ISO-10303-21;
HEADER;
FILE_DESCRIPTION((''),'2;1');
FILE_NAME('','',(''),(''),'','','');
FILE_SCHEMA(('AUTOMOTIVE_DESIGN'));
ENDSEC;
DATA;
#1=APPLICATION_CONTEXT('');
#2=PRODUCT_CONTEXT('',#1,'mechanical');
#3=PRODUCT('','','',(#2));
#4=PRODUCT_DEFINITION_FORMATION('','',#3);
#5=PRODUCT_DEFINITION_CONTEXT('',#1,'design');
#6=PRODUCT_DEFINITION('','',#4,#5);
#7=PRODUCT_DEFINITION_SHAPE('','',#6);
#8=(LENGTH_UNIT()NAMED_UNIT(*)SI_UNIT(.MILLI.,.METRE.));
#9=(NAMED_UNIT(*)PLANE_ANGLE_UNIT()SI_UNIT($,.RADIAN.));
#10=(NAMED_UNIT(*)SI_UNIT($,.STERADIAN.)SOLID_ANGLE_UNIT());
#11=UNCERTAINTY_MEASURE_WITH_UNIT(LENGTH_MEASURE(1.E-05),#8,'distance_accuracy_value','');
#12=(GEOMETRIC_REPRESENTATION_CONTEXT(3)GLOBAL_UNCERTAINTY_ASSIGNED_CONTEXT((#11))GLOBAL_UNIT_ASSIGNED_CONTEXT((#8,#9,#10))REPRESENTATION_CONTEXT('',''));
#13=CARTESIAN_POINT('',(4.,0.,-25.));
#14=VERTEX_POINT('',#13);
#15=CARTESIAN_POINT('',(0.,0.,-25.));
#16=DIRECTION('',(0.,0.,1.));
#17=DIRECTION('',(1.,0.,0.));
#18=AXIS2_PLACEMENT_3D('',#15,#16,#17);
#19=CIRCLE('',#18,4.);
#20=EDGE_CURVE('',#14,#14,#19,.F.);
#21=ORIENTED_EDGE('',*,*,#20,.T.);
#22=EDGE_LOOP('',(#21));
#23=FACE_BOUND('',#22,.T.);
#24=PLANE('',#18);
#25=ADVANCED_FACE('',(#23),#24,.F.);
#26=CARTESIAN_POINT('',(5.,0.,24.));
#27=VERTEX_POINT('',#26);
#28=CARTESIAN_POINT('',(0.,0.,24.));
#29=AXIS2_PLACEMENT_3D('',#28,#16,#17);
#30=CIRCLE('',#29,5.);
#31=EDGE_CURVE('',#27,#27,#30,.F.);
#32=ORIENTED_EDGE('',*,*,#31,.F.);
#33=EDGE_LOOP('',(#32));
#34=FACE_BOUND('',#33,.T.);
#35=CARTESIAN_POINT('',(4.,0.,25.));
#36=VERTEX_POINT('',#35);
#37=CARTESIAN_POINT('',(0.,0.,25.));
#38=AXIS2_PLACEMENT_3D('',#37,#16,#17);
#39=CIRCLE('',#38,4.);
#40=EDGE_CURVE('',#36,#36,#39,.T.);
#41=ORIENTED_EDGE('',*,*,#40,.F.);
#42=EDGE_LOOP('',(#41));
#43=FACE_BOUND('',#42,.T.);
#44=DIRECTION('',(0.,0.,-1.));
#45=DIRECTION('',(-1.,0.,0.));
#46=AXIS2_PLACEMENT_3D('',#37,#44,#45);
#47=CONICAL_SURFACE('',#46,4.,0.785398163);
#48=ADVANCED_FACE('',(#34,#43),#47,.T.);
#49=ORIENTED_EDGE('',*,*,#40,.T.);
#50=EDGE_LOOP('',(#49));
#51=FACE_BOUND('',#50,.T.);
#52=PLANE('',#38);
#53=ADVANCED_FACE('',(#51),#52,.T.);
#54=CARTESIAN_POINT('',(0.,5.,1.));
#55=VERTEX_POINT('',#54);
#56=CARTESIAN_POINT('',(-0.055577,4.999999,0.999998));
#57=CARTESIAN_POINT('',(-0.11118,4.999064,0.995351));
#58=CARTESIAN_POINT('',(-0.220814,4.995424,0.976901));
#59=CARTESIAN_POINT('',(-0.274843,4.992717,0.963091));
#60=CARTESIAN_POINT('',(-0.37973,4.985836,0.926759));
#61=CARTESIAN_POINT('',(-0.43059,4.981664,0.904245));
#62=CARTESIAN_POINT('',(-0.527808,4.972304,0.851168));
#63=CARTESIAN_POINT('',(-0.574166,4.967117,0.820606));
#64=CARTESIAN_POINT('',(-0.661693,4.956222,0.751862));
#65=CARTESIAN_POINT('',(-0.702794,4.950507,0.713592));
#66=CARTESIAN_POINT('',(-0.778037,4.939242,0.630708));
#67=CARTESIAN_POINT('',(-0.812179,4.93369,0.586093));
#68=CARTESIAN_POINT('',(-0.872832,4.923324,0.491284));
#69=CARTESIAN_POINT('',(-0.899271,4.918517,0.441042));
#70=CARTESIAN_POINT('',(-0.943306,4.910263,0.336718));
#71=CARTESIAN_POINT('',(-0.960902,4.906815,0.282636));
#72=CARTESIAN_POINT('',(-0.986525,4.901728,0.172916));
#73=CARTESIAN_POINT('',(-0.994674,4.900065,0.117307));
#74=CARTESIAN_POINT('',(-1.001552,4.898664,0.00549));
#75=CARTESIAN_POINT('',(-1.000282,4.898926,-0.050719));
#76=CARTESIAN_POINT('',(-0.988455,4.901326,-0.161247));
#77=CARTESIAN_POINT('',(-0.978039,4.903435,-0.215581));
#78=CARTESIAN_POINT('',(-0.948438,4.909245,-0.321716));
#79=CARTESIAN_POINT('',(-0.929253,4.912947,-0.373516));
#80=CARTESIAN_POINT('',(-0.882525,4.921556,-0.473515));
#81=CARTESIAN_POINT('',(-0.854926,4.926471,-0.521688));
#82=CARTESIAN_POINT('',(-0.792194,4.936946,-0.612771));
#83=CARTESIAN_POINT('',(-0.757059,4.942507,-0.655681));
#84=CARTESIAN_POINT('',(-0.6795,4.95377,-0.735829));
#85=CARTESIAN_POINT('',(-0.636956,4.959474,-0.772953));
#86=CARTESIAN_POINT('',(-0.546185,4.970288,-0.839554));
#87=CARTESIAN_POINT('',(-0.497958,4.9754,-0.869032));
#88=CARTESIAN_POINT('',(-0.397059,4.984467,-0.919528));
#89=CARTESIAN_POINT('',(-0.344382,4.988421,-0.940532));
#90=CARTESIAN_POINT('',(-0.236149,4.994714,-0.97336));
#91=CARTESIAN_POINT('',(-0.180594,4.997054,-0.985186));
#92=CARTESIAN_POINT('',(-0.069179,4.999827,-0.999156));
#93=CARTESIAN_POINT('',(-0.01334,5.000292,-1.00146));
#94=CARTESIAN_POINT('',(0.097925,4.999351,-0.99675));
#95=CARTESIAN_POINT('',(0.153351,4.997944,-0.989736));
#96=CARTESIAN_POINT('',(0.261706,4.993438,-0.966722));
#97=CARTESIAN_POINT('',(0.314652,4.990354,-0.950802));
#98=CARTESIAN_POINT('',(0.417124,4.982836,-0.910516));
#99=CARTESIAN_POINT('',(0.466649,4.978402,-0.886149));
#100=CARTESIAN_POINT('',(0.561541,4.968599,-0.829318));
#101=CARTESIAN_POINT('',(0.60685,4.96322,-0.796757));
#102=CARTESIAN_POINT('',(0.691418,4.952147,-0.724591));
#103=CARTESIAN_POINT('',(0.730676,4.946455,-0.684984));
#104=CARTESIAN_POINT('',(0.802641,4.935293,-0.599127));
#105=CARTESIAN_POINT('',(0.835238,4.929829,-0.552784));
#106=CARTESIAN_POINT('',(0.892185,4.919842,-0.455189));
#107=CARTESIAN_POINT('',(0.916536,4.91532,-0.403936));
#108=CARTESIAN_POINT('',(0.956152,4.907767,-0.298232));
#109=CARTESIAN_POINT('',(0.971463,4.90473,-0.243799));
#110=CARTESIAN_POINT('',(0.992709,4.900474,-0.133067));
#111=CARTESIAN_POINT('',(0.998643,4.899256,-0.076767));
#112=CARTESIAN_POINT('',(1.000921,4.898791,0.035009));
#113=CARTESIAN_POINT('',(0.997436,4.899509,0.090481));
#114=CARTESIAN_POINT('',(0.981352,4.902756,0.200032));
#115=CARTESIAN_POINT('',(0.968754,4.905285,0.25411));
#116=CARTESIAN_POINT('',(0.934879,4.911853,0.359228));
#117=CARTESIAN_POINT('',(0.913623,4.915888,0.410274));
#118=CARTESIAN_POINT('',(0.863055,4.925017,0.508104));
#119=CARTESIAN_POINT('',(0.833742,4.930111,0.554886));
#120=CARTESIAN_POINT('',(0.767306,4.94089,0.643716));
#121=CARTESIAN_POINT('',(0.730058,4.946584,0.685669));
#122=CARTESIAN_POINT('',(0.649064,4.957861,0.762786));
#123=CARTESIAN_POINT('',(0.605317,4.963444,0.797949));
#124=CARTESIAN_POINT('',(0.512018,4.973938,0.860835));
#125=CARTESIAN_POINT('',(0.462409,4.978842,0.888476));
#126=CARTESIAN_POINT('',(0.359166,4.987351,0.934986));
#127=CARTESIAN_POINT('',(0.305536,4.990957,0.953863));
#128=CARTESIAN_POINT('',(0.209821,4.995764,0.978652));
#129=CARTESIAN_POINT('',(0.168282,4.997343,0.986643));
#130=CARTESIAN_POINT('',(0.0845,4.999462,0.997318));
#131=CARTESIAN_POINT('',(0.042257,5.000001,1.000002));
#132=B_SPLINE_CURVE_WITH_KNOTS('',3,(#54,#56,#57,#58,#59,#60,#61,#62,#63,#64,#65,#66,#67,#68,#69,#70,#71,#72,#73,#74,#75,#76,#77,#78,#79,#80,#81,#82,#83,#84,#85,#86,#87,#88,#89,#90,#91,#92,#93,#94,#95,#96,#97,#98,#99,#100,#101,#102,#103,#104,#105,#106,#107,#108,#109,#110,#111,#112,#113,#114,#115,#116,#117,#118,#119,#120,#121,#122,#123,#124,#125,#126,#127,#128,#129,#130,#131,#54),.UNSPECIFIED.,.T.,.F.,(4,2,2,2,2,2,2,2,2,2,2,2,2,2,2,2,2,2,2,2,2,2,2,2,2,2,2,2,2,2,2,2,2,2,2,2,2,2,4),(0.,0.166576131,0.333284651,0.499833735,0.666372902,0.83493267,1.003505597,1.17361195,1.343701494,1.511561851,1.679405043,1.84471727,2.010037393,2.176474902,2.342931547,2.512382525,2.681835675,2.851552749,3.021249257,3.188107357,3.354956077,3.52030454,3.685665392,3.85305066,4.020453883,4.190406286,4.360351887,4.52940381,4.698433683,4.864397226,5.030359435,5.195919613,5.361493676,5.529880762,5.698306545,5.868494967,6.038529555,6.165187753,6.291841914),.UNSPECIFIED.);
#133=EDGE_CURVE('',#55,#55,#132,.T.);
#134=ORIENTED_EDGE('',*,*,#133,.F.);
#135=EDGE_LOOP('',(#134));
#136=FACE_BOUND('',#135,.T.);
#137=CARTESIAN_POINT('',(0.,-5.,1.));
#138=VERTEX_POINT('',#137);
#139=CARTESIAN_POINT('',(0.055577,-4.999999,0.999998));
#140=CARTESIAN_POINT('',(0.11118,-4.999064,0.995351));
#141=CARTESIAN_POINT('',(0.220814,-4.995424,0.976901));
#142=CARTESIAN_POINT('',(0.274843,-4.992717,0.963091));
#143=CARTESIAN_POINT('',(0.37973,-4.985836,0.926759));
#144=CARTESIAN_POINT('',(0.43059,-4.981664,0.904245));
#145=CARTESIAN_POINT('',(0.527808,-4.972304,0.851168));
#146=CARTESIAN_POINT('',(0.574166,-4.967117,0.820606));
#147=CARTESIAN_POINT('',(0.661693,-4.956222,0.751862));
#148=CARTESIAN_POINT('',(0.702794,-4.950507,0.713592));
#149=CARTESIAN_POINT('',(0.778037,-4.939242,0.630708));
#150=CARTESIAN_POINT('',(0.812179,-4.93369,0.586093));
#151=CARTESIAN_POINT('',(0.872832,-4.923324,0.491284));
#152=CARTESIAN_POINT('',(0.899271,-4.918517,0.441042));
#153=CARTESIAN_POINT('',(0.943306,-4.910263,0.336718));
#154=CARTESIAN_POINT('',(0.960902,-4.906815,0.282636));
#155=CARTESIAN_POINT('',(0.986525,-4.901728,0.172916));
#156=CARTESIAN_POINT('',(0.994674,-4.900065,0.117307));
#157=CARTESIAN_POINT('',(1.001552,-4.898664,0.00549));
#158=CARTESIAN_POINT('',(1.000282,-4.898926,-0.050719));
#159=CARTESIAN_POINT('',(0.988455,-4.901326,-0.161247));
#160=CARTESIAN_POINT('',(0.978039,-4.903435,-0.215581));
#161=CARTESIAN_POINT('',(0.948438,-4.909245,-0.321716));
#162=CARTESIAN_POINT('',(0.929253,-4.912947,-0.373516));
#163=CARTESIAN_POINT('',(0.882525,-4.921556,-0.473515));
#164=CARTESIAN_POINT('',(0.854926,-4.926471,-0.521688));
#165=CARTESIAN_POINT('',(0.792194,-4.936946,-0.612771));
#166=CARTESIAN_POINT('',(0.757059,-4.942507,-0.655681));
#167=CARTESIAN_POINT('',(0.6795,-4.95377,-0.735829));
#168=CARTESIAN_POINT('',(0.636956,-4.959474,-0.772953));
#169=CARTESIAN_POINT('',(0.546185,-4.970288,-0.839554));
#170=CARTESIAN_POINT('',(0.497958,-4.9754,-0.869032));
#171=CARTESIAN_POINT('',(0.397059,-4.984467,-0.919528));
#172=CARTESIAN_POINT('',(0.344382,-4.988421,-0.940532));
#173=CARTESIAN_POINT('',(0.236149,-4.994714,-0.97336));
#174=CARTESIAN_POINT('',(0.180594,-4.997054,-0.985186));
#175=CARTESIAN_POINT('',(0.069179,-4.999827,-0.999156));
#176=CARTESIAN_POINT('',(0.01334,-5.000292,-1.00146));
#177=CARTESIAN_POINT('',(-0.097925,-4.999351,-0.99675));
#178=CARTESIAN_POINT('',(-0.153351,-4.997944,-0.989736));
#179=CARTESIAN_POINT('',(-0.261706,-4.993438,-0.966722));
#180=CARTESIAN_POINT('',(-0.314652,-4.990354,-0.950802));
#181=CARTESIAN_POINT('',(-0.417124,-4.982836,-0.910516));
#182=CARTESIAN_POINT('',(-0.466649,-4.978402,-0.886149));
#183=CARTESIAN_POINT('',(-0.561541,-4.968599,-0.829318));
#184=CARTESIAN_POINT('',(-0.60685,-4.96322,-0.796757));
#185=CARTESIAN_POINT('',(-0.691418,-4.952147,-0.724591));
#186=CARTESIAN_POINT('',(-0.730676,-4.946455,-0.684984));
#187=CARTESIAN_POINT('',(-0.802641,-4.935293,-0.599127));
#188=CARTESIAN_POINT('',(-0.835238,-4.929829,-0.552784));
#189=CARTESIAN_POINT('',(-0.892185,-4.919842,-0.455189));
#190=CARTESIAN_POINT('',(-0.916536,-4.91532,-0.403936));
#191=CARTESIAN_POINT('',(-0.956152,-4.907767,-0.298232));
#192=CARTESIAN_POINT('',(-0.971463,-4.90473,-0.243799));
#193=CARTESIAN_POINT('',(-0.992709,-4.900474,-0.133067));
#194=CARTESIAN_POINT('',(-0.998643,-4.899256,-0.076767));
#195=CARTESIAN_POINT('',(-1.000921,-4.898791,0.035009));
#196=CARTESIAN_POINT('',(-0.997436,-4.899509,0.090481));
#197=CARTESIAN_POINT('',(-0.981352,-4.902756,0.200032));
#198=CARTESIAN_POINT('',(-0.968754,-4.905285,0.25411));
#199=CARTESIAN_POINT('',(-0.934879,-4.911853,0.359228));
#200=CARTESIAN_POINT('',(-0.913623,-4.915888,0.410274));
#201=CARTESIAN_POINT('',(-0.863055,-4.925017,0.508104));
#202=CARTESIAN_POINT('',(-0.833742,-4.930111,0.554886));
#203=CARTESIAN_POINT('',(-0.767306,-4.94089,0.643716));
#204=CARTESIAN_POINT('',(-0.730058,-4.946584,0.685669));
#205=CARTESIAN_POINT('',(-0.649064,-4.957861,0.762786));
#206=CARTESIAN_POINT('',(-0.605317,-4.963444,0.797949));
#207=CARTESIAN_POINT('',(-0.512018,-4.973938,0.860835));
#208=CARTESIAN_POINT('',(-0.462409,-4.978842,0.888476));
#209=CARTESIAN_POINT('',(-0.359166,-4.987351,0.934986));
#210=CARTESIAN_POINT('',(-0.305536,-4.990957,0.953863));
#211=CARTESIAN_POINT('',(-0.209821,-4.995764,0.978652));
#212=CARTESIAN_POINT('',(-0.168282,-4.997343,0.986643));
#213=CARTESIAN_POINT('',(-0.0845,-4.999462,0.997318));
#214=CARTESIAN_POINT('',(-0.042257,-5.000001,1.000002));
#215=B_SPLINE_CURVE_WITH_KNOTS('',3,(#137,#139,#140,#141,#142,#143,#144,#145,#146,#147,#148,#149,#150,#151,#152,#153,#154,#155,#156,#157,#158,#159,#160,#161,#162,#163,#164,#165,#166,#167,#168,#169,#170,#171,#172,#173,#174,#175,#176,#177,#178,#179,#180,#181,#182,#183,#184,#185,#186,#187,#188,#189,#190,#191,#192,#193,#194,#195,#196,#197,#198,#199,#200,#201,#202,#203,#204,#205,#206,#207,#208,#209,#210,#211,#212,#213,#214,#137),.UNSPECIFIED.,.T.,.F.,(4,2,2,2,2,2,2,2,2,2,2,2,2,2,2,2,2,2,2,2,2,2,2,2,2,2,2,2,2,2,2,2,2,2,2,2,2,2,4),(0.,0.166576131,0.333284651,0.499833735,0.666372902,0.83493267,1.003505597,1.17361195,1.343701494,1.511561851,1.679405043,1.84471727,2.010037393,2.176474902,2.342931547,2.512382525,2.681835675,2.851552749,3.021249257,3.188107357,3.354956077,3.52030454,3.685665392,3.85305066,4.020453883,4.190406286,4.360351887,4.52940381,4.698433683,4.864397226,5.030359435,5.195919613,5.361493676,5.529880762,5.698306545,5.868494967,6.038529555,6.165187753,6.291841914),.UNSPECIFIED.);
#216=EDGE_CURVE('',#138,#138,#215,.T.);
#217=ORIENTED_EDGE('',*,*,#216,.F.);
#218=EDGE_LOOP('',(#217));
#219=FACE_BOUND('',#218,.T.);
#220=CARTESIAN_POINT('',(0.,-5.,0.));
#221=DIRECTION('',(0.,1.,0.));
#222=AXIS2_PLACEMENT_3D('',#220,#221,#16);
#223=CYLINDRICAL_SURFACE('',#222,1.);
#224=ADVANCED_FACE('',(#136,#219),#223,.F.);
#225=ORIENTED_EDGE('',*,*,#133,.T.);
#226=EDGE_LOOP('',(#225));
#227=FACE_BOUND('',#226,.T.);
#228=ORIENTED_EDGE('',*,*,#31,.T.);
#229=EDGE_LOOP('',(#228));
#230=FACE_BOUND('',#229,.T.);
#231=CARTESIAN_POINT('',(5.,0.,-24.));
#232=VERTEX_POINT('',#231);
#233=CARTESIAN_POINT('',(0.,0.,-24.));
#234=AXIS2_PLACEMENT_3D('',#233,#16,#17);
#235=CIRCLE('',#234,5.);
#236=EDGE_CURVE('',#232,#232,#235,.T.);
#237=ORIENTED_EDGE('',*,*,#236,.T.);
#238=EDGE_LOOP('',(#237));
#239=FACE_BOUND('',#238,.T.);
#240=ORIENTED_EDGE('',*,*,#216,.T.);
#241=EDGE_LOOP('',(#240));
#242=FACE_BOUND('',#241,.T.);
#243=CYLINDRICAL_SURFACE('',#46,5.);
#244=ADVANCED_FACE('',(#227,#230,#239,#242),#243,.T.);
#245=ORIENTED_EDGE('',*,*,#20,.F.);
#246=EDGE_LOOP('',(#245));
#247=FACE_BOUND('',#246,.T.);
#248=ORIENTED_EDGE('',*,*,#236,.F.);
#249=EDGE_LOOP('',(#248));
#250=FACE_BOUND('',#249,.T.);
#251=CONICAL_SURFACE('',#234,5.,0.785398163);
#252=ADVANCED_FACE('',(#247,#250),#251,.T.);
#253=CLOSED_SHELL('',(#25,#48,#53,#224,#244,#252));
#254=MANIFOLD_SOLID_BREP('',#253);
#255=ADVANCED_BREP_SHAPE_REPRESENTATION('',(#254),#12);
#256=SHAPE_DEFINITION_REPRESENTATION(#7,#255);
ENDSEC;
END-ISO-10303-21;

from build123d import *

# Parameters (mm, degrees)
SKETCH_1_R               = 5
EXTRUDE_1_DEPTH          = 25
CHAMFER_1_SIZE           = 1
CUT_EXTRUDE_1_DEPTH      = 26.980762114
CUT_EXTRUDE_1_DEPTH_BACK = 26.980762114
SKETCH_2_R               = 1


with BuildPart() as part:
    # 草图1 → 凸台-拉伸1 (new, symmetric)
    with BuildSketch(Plane.XY):
        Circle(SKETCH_1_R)
    extrude(amount=EXTRUDE_1_DEPTH, both=True)

    # 倒角1
    chamfer_1_edges = [part.edges().sort_by_distance(p)[0] for p in [
        (-5, 0, -25),
        (-5, 0, 25),
    ]]
    chamfer(chamfer_1_edges, length=CHAMFER_1_SIZE)

    # 草图2 → 切除-拉伸1 (cut, two sides: drawn at the far end of the back side and taken through both)
    with BuildSketch(Plane(origin=(0, 0, 0), x_dir=(1, 0, 0), z_dir=(0, 1, 0)).offset(-CUT_EXTRUDE_1_DEPTH_BACK)):
        with Locations(Location((0, 0, 0), (0, 0, 270))):
            Circle(SKETCH_2_R)
    extrude(amount=CUT_EXTRUDE_1_DEPTH + CUT_EXTRUDE_1_DEPTH_BACK, mode=Mode.SUBTRACT)


solid = part.part
